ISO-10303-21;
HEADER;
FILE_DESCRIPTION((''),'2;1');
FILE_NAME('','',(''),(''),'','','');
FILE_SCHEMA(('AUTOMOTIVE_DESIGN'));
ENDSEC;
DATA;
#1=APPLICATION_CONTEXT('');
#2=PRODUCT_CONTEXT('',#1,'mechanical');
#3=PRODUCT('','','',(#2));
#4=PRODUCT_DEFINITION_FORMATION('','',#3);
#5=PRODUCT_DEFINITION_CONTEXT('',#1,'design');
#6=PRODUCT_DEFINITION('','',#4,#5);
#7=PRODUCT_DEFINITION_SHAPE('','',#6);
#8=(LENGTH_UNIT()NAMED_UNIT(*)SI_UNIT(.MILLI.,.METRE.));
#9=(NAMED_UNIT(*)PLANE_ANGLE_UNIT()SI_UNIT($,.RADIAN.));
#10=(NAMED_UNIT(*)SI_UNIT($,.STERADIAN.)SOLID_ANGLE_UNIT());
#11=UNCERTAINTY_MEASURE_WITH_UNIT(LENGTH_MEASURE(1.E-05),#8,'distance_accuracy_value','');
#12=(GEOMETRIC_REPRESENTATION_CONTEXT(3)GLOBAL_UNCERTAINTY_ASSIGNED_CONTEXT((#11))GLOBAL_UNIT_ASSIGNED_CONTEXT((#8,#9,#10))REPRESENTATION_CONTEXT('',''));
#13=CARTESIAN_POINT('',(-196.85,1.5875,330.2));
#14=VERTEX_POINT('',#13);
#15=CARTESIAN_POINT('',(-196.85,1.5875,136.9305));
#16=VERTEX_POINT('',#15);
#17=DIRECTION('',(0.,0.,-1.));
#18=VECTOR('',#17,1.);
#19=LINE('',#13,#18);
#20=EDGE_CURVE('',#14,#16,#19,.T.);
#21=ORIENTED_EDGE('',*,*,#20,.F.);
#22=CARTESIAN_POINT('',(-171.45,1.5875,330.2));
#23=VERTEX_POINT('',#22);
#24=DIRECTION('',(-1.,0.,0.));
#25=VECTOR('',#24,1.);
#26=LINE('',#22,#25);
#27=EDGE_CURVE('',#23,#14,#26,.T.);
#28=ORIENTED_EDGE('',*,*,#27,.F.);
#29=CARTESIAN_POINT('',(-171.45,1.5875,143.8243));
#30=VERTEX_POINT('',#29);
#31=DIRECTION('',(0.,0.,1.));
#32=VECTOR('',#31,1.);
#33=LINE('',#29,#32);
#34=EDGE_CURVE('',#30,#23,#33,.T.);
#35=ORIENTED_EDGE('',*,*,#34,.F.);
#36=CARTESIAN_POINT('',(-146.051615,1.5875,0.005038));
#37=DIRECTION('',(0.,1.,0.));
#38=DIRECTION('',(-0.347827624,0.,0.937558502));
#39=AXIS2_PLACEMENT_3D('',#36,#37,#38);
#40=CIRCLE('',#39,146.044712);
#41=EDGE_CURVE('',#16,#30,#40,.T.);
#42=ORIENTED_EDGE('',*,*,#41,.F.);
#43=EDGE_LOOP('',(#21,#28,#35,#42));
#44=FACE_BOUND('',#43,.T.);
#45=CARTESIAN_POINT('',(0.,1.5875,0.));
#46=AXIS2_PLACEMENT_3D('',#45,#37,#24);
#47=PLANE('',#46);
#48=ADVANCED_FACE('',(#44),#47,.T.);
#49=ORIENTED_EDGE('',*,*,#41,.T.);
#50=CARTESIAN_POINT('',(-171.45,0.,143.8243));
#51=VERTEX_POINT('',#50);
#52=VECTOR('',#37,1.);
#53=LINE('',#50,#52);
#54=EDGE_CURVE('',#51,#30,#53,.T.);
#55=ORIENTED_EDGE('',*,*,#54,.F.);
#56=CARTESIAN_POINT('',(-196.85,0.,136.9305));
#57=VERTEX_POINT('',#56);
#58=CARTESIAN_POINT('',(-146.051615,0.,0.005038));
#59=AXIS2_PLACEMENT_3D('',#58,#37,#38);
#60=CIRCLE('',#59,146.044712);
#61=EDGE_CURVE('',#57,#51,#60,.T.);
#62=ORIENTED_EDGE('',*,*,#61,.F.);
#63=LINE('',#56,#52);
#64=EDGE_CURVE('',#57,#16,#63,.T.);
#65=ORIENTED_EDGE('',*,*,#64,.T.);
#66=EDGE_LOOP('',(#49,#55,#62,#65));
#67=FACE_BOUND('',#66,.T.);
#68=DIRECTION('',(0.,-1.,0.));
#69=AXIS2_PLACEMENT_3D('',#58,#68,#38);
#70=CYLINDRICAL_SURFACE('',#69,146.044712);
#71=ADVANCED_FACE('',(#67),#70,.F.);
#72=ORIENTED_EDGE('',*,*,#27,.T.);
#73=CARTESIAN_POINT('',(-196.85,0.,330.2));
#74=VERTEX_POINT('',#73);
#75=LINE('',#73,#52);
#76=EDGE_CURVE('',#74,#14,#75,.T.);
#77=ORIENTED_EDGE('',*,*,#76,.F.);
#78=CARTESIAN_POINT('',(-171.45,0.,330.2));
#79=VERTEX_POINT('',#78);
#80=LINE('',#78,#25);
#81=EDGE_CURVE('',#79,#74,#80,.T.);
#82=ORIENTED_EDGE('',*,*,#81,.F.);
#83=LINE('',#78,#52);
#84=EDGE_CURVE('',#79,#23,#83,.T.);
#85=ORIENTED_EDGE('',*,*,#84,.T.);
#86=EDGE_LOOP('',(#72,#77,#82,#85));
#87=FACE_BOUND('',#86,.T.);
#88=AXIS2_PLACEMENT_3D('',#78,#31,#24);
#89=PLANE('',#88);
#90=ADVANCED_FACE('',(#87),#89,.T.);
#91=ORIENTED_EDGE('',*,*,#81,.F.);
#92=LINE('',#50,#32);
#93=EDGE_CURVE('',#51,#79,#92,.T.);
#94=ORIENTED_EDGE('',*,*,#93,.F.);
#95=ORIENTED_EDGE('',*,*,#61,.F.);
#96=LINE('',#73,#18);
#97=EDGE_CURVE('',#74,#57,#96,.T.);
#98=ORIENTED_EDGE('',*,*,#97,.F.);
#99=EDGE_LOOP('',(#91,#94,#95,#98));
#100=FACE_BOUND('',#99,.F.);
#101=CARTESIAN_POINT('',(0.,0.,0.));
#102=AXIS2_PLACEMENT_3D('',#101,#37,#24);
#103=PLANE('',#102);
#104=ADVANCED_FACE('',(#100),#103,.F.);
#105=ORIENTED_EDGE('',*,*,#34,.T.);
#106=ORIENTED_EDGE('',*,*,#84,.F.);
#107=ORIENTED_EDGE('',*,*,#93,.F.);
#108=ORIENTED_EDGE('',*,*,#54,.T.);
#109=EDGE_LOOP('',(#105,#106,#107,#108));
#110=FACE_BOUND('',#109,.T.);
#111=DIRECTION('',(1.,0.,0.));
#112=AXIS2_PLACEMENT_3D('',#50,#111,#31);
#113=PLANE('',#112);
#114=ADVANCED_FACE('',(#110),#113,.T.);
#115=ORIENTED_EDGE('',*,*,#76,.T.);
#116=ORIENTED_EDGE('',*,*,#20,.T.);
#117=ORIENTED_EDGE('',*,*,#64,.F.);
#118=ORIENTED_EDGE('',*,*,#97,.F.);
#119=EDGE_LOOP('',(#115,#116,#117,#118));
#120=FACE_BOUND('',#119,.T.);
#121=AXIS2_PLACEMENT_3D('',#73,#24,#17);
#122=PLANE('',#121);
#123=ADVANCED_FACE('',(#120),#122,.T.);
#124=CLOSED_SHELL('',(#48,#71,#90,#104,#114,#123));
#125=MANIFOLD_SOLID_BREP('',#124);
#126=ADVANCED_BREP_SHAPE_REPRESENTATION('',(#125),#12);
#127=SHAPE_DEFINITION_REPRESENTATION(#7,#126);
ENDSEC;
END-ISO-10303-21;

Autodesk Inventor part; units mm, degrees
ref_plane "YZ Plane" through (0, 0, 0) normal (1, 0, 0) x (0, 1, 0)
ref_plane "XZ Plane" through (0, 0, 0) normal (0, 1, 0) x (-1, 0, 0)
ref_plane "XY Plane" through (0, 0, 0) normal (0, 0, 1) x (1, 0, 0)
sketch "Sketch1" plane through (0, 0, 0) normal (0, 1, 0) x (-1, 0, 0)
  line L0 (0, 0) -> (0, 330.2) construction
  line L1 (0, 330.2) -> (330.2, 330.2) construction
  line L2 (330.2, 330.2) -> (330.2, 0) construction
  line L3 (330.2, 0) -> (0, 0) construction
  circle A0 centre (146.05, 0) radius 146.05 construction
  line L4 (171.45, 143.8243) -> (171.45, 330.2)
  line L5 (171.45, 330.2) -> (196.85, 330.2)
  line L6 (196.85, 330.2) -> (196.85, 136.9305)
  arc A1 (196.85, 136.9305) -> (171.45, 143.8243) centre (146.05, 0) ccw
  dimension "d0" = 292.1
  dimension "d1" = 330.2
  dimension "d2" = 330.2
  dimension "d5" = 25.4
  dimension "d9" = 171.45
extrude "Extrusion1" add sketch "Sketch1" along normal blind 1.5875
properties part number "Hopper Teflon Strip P3"
